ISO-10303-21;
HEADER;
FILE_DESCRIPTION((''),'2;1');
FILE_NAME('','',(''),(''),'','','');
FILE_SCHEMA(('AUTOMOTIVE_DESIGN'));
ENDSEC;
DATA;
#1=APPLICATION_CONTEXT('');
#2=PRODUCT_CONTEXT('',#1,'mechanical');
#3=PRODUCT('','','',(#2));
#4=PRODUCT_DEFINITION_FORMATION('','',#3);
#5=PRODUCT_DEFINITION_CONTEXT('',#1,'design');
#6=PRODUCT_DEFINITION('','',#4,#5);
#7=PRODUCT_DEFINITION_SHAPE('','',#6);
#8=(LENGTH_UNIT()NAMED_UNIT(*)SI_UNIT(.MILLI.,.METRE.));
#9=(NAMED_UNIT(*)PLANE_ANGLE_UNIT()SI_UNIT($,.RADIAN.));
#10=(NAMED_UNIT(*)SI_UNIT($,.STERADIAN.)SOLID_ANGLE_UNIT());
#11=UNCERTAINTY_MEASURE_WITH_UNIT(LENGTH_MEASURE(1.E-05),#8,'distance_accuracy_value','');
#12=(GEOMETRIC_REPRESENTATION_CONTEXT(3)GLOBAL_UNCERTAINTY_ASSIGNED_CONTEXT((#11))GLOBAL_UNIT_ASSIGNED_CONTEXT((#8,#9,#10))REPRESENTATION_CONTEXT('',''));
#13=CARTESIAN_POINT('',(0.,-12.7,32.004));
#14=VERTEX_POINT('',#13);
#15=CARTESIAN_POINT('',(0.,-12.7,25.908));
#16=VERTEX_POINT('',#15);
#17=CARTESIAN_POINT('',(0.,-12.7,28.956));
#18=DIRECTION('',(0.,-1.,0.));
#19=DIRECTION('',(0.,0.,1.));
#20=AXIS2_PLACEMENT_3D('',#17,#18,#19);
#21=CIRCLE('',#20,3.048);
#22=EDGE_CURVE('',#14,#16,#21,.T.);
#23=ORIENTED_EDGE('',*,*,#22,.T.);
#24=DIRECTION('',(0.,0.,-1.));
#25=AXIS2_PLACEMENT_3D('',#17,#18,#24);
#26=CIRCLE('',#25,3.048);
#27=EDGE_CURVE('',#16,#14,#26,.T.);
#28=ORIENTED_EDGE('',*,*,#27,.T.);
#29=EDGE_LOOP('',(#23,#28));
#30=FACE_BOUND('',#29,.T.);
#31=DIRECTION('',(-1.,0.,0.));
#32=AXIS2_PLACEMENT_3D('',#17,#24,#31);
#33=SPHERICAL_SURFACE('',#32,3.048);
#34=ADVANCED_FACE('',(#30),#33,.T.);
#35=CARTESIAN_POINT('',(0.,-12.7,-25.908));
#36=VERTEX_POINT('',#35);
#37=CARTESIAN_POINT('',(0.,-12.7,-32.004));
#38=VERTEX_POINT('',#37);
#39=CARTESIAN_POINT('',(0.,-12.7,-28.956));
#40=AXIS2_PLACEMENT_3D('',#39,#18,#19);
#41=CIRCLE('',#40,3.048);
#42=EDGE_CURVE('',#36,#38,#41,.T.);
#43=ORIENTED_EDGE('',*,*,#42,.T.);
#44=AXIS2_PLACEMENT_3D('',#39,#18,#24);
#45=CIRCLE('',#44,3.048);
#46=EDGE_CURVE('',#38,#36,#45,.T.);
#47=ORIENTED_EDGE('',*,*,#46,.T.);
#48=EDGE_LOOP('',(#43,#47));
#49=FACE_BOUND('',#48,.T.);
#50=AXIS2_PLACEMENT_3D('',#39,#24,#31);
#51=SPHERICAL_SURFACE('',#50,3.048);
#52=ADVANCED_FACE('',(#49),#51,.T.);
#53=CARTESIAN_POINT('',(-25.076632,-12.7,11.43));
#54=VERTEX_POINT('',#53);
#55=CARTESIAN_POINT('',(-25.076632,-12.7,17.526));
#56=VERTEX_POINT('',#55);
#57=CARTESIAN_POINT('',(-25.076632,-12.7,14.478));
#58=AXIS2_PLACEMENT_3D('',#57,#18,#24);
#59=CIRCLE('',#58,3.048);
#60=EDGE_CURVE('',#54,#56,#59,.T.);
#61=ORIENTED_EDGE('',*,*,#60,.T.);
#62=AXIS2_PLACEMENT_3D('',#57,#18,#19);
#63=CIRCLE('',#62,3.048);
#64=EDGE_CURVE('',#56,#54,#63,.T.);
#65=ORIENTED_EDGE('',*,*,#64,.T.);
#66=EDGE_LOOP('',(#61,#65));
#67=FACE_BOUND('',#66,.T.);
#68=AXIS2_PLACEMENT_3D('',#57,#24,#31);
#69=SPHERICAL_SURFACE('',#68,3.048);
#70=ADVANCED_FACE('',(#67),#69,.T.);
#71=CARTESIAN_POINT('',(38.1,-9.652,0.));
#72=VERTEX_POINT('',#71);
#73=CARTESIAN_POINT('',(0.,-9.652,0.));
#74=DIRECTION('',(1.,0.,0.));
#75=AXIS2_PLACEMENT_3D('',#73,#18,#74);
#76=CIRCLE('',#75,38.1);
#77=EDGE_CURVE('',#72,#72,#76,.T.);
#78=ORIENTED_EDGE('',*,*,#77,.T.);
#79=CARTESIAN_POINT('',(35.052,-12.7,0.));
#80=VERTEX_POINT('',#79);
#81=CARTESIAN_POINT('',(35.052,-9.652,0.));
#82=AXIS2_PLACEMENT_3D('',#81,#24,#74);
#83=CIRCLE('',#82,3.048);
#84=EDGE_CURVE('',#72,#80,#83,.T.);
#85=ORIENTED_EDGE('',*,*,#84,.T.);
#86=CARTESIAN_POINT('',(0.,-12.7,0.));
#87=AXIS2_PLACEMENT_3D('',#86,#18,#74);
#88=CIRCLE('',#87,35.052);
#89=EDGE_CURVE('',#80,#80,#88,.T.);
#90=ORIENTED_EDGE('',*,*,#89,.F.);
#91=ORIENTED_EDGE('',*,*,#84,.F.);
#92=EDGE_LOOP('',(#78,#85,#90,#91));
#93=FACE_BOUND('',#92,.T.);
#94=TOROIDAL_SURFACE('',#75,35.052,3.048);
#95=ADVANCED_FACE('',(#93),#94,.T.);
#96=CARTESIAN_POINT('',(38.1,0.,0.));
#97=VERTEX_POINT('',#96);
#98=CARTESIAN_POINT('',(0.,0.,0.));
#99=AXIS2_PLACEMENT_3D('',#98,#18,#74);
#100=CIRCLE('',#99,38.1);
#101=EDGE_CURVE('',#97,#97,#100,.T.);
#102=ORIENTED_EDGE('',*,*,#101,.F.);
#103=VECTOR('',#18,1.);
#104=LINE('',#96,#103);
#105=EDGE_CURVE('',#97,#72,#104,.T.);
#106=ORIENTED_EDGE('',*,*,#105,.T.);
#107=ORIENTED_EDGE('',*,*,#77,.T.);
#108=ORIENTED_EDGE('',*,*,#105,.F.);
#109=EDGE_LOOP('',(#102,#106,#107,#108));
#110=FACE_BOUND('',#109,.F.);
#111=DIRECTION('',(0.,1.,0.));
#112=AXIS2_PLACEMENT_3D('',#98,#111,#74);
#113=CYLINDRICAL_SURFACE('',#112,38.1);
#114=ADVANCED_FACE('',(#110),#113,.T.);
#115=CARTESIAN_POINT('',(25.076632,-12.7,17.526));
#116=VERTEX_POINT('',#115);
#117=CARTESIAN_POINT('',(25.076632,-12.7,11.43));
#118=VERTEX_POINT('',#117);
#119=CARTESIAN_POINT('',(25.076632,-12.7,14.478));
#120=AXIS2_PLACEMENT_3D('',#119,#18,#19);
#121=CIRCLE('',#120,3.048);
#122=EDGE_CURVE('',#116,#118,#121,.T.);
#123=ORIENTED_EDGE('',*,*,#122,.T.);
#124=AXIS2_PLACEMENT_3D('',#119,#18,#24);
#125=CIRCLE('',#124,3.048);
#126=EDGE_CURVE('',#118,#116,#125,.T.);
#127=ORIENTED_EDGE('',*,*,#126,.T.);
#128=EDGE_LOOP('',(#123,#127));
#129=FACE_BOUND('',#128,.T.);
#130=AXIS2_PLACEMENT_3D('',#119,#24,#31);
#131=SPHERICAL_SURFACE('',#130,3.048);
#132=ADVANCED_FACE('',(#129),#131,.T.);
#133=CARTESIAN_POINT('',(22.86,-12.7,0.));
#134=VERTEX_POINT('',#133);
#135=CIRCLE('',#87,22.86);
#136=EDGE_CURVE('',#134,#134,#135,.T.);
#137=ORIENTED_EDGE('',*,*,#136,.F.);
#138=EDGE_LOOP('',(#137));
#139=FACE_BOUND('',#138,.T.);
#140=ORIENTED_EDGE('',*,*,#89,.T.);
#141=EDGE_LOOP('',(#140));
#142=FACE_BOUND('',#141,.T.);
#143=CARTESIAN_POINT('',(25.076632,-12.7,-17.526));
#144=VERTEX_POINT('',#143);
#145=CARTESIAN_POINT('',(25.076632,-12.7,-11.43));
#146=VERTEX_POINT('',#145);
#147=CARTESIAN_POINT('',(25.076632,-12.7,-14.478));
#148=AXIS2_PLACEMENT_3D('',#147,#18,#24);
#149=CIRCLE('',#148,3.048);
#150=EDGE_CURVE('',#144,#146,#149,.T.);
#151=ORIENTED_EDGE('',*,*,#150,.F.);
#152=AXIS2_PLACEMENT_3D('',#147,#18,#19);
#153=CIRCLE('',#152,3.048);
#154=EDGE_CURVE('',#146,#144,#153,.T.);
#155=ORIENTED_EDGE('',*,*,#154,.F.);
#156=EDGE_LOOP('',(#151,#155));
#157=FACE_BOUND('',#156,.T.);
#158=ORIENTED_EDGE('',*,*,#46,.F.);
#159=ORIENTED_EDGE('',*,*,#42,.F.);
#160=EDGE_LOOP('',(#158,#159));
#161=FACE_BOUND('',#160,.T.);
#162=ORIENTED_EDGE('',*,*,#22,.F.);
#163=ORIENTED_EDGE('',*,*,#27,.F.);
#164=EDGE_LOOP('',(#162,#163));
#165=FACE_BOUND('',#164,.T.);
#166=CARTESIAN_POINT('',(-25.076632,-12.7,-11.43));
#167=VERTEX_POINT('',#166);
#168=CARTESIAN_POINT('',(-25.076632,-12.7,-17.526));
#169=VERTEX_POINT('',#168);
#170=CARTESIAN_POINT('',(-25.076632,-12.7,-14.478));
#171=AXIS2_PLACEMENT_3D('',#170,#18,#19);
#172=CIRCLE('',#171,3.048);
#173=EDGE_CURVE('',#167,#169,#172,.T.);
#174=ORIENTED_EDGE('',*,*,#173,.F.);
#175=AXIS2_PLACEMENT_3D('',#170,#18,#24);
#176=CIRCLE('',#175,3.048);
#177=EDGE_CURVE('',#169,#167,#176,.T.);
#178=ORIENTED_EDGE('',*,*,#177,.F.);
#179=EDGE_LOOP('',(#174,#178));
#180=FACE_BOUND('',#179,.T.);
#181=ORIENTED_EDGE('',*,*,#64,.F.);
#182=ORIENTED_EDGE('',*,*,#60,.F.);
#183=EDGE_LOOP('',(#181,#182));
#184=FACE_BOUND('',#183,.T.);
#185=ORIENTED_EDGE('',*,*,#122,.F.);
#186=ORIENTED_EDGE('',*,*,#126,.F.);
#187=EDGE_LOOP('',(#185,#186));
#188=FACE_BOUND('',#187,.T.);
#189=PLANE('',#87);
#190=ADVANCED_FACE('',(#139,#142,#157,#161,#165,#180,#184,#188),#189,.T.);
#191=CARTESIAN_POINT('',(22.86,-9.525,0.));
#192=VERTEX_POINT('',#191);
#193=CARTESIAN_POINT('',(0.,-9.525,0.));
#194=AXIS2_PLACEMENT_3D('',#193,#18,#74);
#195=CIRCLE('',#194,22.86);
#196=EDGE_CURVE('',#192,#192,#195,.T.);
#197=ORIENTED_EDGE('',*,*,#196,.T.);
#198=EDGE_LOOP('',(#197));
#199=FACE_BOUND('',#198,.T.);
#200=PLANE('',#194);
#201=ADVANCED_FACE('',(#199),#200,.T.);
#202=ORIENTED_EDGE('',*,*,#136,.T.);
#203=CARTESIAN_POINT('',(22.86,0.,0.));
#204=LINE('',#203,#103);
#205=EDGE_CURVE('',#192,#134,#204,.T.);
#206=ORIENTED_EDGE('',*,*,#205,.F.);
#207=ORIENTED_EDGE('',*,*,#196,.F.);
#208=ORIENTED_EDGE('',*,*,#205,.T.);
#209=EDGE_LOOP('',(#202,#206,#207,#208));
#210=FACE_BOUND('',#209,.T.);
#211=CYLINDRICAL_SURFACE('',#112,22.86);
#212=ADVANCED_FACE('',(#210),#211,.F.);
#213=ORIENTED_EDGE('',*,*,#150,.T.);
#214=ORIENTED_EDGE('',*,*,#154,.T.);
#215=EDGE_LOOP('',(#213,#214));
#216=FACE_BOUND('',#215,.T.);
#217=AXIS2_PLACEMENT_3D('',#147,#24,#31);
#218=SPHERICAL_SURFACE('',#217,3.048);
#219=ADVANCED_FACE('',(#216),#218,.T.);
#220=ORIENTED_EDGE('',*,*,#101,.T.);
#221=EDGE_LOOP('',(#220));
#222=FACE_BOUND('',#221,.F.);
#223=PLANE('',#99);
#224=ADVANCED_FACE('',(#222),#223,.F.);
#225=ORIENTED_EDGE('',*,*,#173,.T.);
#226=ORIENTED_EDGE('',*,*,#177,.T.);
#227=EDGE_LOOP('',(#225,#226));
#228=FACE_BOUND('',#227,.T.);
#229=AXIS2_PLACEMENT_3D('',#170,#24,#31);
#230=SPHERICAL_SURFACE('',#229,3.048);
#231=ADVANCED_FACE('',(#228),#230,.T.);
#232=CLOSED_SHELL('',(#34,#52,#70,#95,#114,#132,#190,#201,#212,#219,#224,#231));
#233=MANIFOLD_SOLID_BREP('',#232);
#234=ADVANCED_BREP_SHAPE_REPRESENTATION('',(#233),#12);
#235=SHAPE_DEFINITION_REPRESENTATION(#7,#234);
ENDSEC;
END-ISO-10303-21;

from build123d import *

# Parameters (mm, degrees)
F0_R     = 38.1
F0_R_2   = 22.86
F1_DEPTH = 12.7
F2_R     = 3.048
F3_DEPTH = 9.525


with BuildPart() as f1:
    # F0 (on Front) → F1 (new body)
    with BuildSketch(Plane.XZ):
        Circle(F0_R)
        Circle(F0_R_2, mode=Mode.SUBTRACT)
    extrude(amount=F1_DEPTH)

    # F2
    f2_edges = [f1.edges().sort_by_distance(p)[0] for p in [
        (-38.1, -12.7, 0),
    ]]
    fillet(f2_edges, radius=F2_R)

    # F0 (on Front) → F3 (join)
    with BuildSketch(Plane.XZ):
        Circle(F0_R_2)
    extrude(amount=F3_DEPTH)

    # F4 (on face) → F5 (revolve)
    with BuildSketch(Plane.XZ.offset(12.7)):
        with BuildLine():
            Line((-25.076632, 11.43), (-25.076632, 17.526))
            ThreePointArc((-25.076632, 17.526), (-28.124632, 14.478), (-25.076632, 11.43))
        make_face()
        with BuildLine():
            Line((-25.076632, -17.526), (-25.076632, -11.43))
            ThreePointArc((-25.076632, -11.43), (-28.124632, -14.478), (-25.076632, -17.526))
        make_face()
    revolve(axis=Axis((-25.076632, -12.7, -0.637533), (0, 0, -1)))

    # F4 (on face) → F6 (revolve)
    with BuildSketch(Plane.XZ.offset(12.7)):
        with BuildLine():
            Line((0, 25.908), (0, 32.004))
            ThreePointArc((0, 32.004), (-3.048, 28.956), (0, 25.908))
        make_face()
        with BuildLine():
            Line((0, -32.004), (0, -25.908))
            ThreePointArc((0, -25.908), (-3.048, -28.956), (0, -32.004))
        make_face()
    revolve(axis=Axis((0, -12.7, 0.300789), (0, 0, -1)))

    # F4 (on face) → F7 (revolve)
    with BuildSketch(Plane.XZ.offset(12.7)):
        with BuildLine():
            Line((25.076632, 11.43), (25.076632, 17.526))
            ThreePointArc((25.076632, 17.526), (22.028632, 14.478), (25.076632, 11.43))
        make_face()
        with BuildLine():
            Line((25.076632, -17.526), (25.076632, -11.43))
            ThreePointArc((25.076632, -11.43), (22.028632, -14.478), (25.076632, -17.526))
        make_face()
    revolve(axis=Axis((25.076632, -12.7, 0.300787), (0, 0, -1)))


solid = f1.part
